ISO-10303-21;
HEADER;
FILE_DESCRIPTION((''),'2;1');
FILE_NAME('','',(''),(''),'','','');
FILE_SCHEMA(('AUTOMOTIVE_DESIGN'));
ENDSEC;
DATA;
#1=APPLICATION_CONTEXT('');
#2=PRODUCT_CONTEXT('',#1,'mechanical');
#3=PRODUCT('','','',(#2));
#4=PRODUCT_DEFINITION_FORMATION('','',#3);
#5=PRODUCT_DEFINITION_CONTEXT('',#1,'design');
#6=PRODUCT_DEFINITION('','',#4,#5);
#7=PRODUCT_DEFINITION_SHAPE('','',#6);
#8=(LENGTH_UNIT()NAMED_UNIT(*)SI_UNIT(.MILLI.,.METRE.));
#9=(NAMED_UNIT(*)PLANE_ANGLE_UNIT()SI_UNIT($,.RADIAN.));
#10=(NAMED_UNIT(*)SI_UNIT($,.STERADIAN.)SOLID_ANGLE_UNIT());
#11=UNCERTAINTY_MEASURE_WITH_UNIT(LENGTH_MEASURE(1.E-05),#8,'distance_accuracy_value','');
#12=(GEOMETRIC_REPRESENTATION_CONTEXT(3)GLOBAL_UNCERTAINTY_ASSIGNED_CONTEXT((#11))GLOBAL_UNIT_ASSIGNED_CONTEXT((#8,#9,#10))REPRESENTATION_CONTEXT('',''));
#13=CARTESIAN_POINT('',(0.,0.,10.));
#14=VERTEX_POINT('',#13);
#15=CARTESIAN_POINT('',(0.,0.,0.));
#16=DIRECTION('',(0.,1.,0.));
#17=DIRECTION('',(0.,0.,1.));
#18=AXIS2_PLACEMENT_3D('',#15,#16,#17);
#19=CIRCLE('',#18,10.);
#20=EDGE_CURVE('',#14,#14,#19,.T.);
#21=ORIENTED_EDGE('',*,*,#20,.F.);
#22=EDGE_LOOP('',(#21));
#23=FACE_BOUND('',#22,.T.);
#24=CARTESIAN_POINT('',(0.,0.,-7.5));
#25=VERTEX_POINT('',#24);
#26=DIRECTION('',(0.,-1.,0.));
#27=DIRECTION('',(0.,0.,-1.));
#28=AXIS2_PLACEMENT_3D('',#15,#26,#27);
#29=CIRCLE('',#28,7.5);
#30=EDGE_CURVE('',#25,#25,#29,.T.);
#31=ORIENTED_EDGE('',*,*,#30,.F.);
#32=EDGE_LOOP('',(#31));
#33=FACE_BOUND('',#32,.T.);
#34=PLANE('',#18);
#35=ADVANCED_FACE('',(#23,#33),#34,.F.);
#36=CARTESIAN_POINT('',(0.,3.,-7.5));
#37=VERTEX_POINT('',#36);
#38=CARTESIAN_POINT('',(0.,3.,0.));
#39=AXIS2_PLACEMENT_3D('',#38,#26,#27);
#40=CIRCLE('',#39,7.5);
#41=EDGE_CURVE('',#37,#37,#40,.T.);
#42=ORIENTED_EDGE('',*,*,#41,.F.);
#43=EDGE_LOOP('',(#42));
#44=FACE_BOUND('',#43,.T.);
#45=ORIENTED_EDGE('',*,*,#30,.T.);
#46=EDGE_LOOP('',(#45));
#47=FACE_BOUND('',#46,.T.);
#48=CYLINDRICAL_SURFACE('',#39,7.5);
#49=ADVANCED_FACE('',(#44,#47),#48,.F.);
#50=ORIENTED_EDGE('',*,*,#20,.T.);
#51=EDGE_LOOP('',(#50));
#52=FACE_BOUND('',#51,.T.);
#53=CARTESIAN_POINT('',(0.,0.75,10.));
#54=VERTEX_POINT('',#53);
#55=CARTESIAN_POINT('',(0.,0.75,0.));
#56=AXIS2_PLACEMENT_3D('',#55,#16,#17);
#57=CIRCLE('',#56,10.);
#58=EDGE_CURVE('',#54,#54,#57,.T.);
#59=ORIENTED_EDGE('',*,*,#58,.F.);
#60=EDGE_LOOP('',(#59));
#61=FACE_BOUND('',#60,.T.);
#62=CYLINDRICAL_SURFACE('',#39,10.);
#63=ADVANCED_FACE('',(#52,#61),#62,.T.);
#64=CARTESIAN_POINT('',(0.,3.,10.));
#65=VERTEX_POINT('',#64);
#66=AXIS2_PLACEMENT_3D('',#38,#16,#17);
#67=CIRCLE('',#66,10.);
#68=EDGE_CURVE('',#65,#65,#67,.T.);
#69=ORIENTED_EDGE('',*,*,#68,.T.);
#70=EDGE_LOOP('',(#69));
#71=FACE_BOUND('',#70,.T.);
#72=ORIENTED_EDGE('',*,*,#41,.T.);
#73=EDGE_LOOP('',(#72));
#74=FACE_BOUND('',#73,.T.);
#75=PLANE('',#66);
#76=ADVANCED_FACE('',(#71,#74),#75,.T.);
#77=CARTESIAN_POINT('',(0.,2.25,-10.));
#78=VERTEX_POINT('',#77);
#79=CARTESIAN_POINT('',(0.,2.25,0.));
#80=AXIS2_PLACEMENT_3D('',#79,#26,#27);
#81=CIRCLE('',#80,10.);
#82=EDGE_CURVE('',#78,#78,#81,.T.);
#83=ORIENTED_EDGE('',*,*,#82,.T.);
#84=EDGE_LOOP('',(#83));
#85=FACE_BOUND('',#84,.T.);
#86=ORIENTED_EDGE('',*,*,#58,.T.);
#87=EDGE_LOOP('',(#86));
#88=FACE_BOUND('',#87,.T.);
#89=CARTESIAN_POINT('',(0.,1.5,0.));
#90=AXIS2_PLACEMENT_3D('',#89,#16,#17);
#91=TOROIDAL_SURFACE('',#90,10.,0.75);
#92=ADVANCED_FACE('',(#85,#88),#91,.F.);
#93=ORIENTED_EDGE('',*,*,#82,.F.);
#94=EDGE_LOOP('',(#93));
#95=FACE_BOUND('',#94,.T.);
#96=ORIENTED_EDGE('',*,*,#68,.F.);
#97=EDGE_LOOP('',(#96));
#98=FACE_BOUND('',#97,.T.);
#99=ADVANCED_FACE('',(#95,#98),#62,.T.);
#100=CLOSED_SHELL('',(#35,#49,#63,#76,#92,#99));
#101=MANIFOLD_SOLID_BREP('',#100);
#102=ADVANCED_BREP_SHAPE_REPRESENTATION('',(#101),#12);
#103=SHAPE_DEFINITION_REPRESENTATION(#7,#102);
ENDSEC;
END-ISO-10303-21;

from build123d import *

# Parameters (mm, degrees)
CROQUIS1_R              = 10
SALIENTE_EXTRUIR1_DEPTH = 3
CROQUIS2_R              = 0.75
CROQUIS4_R              = 7.5
CORTAR_EXTRUIR1_DEPTH   = 15.456832295


with BuildPart() as part:
    # Croquis1 → Saliente-Extruir1 (new body)
    with BuildSketch(Plane(origin=(0, 0, 0), x_dir=(1, 0, 0), z_dir=(0, 1, 0))):
        with Locations(Location((0, 0, 0), (0, 0, 270))):
            Circle(CROQUIS1_R)
    extrude(amount=SALIENTE_EXTRUIR1_DEPTH)

    # Croquis2 → Cortar-Revolución1 (revolve, cut)
    with BuildSketch(Plane(origin=(0, 0, 0), x_dir=(0, 0, -1), z_dir=(1, 0, 0)), mode=Mode.PRIVATE) as cortar_revoluci_n1_sk:
        with Locations((10, 1.5)):
            Circle(CROQUIS2_R)
    revolve(cortar_revoluci_n1_sk.sketch.rotate(Axis((0, 3, 0), (0, -1, 0)), 180), axis=Axis((0, 3, 0), (0, -1, 0)), mode=Mode.SUBTRACT)

    # Croquis4 → Cortar-Extruir1 (cut, through all)
    with BuildSketch(Plane.XZ):
        with Locations(Location((0, 0, 0), (0, 0, 270))):
            Circle(CROQUIS4_R)
    extrude(amount=-CORTAR_EXTRUIR1_DEPTH, mode=Mode.SUBTRACT)


solid = part.part
